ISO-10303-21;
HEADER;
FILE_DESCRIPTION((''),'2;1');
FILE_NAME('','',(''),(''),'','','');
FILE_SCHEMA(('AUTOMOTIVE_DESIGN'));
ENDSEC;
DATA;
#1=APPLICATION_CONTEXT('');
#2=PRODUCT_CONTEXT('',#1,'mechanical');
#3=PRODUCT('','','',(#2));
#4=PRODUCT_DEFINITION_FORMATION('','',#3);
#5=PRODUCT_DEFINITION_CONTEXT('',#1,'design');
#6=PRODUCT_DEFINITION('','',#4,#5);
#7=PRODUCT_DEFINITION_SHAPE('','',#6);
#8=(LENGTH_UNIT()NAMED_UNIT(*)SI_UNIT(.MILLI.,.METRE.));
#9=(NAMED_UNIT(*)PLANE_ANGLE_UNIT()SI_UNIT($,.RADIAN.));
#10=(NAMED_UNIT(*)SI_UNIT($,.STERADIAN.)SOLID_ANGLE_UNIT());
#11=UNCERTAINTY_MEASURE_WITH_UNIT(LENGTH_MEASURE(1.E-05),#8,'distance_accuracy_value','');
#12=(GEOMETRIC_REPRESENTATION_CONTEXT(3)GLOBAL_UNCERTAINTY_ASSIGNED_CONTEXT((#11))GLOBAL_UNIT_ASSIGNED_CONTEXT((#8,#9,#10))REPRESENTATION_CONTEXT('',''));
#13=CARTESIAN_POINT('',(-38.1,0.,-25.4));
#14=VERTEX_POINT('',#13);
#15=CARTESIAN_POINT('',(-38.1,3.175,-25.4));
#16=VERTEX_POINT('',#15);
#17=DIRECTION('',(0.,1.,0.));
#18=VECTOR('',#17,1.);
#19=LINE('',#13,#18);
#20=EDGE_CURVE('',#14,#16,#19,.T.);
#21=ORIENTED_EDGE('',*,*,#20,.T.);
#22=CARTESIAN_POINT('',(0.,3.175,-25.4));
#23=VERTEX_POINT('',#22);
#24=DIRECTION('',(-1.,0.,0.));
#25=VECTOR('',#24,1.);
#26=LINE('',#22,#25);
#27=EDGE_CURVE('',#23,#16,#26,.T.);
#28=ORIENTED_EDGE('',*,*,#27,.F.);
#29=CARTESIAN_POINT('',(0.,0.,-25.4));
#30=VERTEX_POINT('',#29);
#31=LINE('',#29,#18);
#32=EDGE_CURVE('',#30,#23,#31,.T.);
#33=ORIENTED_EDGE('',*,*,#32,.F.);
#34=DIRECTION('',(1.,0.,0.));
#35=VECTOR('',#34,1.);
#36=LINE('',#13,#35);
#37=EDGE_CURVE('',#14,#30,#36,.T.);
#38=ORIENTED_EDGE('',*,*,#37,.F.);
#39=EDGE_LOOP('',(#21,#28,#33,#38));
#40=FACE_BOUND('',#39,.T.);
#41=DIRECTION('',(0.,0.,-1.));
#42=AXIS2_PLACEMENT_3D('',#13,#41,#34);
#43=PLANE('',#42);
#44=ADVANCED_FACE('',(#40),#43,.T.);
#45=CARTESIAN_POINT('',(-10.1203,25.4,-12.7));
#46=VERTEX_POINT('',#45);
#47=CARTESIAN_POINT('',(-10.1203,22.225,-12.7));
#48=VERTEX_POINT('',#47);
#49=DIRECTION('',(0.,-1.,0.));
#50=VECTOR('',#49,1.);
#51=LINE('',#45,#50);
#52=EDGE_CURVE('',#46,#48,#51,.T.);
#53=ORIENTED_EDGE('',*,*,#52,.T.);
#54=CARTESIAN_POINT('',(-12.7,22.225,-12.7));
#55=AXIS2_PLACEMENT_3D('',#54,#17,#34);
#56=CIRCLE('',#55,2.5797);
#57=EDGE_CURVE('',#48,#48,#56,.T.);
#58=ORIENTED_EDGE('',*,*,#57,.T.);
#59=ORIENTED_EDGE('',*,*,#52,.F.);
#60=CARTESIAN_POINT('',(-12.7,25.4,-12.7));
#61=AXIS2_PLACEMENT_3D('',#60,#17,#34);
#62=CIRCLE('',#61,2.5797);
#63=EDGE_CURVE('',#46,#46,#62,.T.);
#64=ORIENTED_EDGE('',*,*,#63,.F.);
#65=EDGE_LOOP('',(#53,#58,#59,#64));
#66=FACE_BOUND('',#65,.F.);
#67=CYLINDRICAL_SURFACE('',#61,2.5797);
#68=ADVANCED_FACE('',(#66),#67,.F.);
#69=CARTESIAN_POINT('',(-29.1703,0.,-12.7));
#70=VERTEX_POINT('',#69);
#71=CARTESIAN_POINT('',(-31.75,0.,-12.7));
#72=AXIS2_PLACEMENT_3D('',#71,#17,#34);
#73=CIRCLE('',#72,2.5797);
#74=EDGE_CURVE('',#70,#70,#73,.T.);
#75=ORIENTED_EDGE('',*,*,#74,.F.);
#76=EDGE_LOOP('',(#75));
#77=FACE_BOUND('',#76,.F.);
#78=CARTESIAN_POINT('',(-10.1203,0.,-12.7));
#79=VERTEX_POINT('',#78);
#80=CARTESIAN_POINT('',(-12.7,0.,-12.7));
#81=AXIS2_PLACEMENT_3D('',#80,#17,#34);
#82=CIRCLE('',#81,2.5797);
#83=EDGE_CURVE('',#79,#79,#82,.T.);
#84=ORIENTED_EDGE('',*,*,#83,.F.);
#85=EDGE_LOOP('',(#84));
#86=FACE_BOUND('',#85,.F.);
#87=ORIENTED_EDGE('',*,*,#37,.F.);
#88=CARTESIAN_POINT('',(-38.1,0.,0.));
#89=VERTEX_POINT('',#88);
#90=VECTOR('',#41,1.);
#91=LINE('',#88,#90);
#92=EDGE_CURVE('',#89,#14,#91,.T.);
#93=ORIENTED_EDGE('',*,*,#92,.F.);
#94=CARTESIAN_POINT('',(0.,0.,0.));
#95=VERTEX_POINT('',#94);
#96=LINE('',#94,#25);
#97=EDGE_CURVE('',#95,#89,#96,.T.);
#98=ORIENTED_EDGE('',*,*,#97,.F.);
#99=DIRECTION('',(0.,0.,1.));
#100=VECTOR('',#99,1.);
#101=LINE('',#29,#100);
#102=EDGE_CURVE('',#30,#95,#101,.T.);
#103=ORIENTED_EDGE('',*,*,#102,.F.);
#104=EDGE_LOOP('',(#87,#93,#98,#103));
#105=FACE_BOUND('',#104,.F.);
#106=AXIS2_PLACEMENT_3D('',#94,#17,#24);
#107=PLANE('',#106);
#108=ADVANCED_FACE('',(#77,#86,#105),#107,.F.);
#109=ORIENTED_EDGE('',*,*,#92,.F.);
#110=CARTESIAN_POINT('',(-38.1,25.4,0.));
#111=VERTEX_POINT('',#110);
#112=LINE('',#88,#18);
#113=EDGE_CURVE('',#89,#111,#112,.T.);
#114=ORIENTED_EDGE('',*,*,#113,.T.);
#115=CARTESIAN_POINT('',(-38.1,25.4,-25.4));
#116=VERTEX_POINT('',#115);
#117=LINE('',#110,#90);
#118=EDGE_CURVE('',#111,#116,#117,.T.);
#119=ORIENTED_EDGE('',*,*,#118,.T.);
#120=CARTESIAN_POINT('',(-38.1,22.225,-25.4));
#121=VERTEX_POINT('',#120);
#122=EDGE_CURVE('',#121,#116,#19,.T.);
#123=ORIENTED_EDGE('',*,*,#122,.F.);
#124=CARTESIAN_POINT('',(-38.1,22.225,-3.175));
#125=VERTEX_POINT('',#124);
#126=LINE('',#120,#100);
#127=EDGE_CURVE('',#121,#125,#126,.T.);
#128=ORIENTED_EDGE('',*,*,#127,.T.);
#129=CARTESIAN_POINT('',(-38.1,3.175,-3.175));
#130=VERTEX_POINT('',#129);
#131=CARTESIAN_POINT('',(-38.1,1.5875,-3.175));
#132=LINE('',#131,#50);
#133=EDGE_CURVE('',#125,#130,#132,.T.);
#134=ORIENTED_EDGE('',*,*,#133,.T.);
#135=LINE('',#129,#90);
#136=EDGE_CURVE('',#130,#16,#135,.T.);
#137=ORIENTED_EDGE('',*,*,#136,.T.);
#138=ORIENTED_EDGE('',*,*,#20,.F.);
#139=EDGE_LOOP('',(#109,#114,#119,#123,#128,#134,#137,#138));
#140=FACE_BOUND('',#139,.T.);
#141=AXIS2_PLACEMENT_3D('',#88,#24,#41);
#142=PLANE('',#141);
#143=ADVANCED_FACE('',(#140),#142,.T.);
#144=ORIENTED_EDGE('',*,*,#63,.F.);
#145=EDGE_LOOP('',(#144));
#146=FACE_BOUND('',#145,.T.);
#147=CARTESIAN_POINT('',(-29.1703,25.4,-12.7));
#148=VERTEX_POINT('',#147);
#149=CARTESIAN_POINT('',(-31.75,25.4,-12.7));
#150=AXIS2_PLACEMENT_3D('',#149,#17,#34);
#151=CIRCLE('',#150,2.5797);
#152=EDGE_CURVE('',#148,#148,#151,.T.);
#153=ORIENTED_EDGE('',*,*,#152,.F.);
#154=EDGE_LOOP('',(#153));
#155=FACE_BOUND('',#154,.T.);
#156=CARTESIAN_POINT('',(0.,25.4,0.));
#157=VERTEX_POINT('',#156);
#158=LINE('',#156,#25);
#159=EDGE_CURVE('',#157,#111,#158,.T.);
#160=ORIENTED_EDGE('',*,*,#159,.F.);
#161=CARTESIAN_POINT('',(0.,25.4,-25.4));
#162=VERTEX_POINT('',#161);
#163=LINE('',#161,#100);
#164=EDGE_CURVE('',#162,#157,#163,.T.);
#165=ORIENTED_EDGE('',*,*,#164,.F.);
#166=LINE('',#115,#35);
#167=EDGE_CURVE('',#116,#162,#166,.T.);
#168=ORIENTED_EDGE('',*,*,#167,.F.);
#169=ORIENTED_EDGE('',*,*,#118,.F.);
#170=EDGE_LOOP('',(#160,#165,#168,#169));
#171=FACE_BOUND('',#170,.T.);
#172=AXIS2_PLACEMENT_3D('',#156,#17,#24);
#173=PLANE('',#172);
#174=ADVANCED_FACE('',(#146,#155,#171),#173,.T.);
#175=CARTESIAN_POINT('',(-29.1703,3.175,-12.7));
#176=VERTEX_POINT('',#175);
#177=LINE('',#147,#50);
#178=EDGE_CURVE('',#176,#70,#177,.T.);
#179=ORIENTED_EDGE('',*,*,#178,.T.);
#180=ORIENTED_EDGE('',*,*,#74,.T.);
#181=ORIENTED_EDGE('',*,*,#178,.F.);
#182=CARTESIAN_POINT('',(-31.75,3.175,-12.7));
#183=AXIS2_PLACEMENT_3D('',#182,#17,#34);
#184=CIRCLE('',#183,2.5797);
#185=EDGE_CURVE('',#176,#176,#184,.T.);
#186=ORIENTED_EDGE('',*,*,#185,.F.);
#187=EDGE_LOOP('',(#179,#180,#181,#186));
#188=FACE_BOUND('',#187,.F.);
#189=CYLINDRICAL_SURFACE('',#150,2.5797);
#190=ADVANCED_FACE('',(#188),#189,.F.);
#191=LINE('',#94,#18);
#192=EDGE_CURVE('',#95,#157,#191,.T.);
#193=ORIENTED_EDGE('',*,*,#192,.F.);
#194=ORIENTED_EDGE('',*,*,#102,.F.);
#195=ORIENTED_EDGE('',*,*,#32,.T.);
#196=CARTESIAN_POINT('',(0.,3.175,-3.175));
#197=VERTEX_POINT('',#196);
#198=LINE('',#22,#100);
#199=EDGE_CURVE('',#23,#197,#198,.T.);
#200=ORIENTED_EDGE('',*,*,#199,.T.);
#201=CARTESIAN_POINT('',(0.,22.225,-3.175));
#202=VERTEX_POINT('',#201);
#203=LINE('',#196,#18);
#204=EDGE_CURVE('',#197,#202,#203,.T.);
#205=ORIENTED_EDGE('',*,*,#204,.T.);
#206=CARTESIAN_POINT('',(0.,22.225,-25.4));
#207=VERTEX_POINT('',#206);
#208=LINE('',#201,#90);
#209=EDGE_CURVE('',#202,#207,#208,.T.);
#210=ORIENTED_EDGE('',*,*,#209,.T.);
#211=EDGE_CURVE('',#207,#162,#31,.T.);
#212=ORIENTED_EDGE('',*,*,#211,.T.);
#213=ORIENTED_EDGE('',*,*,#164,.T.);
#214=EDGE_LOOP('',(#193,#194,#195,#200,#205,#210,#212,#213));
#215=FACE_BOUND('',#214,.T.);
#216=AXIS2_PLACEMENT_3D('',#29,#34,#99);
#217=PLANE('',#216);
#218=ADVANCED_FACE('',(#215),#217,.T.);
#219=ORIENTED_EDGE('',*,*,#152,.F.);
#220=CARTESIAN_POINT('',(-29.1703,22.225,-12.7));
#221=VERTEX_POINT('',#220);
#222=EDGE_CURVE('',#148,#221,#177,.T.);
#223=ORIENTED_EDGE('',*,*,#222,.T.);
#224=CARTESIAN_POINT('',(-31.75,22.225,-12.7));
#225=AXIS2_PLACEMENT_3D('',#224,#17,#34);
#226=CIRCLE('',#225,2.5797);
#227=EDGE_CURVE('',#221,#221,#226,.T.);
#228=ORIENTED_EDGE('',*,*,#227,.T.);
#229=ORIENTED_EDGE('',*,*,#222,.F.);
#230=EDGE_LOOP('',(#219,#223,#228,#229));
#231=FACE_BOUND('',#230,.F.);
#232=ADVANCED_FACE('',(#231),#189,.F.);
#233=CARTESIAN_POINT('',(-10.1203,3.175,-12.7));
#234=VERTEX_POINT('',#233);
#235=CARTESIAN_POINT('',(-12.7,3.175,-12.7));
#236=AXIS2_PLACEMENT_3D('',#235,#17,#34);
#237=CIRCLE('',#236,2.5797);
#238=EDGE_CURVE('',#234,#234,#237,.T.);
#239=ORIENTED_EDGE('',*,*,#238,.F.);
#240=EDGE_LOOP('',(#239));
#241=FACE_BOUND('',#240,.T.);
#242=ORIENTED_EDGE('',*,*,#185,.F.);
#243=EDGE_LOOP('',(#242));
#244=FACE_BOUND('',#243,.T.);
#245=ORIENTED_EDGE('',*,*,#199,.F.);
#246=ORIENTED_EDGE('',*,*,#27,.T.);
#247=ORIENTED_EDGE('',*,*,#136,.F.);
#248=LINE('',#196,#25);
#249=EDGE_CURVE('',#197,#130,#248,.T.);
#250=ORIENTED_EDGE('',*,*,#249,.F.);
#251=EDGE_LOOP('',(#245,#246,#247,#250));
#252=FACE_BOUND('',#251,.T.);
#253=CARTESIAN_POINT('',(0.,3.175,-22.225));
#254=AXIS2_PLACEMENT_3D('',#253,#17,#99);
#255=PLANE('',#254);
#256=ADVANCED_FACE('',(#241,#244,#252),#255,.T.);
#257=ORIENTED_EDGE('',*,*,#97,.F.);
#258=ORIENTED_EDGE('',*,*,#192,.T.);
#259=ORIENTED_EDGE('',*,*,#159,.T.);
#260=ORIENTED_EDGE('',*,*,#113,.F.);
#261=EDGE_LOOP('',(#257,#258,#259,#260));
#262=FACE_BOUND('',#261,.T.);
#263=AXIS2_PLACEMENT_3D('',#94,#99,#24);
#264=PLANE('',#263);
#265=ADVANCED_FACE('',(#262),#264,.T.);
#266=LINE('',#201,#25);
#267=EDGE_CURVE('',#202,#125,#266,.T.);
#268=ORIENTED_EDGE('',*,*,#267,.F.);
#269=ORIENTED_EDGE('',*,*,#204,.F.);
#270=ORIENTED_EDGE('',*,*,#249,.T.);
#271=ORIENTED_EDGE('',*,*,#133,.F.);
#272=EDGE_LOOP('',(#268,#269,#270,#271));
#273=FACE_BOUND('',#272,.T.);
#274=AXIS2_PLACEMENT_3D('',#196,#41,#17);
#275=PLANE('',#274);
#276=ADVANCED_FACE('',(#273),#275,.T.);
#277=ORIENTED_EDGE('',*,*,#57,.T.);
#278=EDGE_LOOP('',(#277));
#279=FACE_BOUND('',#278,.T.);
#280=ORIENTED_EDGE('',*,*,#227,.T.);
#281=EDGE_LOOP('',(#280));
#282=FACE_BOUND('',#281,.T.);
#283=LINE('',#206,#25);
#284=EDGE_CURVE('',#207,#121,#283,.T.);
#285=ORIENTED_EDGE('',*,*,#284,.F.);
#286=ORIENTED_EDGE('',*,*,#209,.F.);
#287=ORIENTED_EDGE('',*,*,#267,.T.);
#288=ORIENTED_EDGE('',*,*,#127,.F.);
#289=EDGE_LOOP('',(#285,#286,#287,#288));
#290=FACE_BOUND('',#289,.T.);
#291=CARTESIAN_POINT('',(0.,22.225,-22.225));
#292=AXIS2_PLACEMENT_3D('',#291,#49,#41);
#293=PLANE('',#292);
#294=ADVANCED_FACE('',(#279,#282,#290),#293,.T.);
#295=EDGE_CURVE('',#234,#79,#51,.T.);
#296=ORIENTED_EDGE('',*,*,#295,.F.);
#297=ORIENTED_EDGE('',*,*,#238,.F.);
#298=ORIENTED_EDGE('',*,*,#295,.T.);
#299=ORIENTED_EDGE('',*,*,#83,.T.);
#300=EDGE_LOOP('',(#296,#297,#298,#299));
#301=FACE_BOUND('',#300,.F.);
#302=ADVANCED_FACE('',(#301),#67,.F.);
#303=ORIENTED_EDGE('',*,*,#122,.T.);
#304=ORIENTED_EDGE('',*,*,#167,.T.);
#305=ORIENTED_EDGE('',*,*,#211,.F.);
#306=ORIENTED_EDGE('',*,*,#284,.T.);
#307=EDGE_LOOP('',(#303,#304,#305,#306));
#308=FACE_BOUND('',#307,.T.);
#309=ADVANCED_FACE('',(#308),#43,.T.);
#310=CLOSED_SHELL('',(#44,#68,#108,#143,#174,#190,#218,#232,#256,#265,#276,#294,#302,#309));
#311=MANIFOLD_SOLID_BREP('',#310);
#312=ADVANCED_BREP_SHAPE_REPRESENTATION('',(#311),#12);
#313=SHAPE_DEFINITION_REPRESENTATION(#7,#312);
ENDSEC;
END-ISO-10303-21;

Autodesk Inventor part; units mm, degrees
ref_plane "YZ Plane" through (0, 0, 0) normal (1, 0, 0) x (0, 1, 0)
ref_plane "XZ Plane" through (0, 0, 0) normal (0, 1, 0) x (-1, 0, 0)
ref_plane "XY Plane" through (0, 0, 0) normal (0, 0, 1) x (1, 0, 0)
sketch "Sketch1" plane through (0, 0, 0) normal (0, 1, 0) x (-1, 0, 0)
  line L0 (0, 0) -> (38.1, 0)
  line L1 (38.1, -25.4) -> (0, -25.4)
  line L2 (0, -25.4) -> (0, 0)
  line L3 (38.1, 0) -> (38.1, -25.4)
extrude "Extrusion1" add sketch "Sketch1" along normal blind 25.4
sketch "Sketch2" plane through (0, 0, 0) normal (1, 0, 0) x (0, 0, -1)
  point P0 (0, 0)
sketch "Sketch3" plane through (0, 0, 0) normal (1, 0, 0) x (0, 0, -1)
  line L0 (25.4, 0) -> (0, 0) projected
  line L1 (25.4, 0) -> (25.4, 25.4) projected
  line L2 (0, 25.4) -> (25.4, 25.4) projected
  line L3 (0, 0) -> (0, 25.4) projected
  line L4 (22.225, 3.175) -> (3.175, 3.175)
  line L5 (3.175, 3.175) -> (3.175, 22.225)
  line L6 (3.175, 22.225) -> (22.225, 22.225)
  line L7 (22.225, 22.225) -> (25.4, 22.225)
  line L8 (25.4, 0) -> (25.4, 25.4) projected
  line L9 (22.225, 3.175) -> (25.4, 3.175)
  line L10 (25.4, 22.225) -> (25.4, 3.175)
  dimension "d4" = 3.175
sketch "Sketch4" plane through (0, 25.4, 0) normal (0, 1, 0) x (1, 0, 0)
  line L0 (-63.5, 0) -> (-63.5, 25.4) construction
  line L1 (-63.5, 12.7) -> (0, 12.7) construction
  line L2 (0, 12.7) -> (-12.7, 12.7) construction
  line L3 (-12.7, 12.7) -> (-31.75, 12.7) construction
  circle A0 centre (-31.75, 12.7) radius 2.5797
  circle A1 centre (-12.7, 12.7) radius 2.5797
  point P0 (0, 0)
  point P1 (-38.1, 0)
  point P2 (-38.1, 25.4)
  dimension "d7" = 12.7
  dimension "d8" = 19.05
  dimension "d9" = 5.1594
  dimension "d10" = 5.1594
extrude "Extrusion3" cut sketch "Sketch4" against normal blind 63.5
extrude "Extrusion4" cut sketch "Sketch3" against normal blind 127 contours L9 L4 L5 L6 L7 L1
properties part number "wheel tip connector 1"
